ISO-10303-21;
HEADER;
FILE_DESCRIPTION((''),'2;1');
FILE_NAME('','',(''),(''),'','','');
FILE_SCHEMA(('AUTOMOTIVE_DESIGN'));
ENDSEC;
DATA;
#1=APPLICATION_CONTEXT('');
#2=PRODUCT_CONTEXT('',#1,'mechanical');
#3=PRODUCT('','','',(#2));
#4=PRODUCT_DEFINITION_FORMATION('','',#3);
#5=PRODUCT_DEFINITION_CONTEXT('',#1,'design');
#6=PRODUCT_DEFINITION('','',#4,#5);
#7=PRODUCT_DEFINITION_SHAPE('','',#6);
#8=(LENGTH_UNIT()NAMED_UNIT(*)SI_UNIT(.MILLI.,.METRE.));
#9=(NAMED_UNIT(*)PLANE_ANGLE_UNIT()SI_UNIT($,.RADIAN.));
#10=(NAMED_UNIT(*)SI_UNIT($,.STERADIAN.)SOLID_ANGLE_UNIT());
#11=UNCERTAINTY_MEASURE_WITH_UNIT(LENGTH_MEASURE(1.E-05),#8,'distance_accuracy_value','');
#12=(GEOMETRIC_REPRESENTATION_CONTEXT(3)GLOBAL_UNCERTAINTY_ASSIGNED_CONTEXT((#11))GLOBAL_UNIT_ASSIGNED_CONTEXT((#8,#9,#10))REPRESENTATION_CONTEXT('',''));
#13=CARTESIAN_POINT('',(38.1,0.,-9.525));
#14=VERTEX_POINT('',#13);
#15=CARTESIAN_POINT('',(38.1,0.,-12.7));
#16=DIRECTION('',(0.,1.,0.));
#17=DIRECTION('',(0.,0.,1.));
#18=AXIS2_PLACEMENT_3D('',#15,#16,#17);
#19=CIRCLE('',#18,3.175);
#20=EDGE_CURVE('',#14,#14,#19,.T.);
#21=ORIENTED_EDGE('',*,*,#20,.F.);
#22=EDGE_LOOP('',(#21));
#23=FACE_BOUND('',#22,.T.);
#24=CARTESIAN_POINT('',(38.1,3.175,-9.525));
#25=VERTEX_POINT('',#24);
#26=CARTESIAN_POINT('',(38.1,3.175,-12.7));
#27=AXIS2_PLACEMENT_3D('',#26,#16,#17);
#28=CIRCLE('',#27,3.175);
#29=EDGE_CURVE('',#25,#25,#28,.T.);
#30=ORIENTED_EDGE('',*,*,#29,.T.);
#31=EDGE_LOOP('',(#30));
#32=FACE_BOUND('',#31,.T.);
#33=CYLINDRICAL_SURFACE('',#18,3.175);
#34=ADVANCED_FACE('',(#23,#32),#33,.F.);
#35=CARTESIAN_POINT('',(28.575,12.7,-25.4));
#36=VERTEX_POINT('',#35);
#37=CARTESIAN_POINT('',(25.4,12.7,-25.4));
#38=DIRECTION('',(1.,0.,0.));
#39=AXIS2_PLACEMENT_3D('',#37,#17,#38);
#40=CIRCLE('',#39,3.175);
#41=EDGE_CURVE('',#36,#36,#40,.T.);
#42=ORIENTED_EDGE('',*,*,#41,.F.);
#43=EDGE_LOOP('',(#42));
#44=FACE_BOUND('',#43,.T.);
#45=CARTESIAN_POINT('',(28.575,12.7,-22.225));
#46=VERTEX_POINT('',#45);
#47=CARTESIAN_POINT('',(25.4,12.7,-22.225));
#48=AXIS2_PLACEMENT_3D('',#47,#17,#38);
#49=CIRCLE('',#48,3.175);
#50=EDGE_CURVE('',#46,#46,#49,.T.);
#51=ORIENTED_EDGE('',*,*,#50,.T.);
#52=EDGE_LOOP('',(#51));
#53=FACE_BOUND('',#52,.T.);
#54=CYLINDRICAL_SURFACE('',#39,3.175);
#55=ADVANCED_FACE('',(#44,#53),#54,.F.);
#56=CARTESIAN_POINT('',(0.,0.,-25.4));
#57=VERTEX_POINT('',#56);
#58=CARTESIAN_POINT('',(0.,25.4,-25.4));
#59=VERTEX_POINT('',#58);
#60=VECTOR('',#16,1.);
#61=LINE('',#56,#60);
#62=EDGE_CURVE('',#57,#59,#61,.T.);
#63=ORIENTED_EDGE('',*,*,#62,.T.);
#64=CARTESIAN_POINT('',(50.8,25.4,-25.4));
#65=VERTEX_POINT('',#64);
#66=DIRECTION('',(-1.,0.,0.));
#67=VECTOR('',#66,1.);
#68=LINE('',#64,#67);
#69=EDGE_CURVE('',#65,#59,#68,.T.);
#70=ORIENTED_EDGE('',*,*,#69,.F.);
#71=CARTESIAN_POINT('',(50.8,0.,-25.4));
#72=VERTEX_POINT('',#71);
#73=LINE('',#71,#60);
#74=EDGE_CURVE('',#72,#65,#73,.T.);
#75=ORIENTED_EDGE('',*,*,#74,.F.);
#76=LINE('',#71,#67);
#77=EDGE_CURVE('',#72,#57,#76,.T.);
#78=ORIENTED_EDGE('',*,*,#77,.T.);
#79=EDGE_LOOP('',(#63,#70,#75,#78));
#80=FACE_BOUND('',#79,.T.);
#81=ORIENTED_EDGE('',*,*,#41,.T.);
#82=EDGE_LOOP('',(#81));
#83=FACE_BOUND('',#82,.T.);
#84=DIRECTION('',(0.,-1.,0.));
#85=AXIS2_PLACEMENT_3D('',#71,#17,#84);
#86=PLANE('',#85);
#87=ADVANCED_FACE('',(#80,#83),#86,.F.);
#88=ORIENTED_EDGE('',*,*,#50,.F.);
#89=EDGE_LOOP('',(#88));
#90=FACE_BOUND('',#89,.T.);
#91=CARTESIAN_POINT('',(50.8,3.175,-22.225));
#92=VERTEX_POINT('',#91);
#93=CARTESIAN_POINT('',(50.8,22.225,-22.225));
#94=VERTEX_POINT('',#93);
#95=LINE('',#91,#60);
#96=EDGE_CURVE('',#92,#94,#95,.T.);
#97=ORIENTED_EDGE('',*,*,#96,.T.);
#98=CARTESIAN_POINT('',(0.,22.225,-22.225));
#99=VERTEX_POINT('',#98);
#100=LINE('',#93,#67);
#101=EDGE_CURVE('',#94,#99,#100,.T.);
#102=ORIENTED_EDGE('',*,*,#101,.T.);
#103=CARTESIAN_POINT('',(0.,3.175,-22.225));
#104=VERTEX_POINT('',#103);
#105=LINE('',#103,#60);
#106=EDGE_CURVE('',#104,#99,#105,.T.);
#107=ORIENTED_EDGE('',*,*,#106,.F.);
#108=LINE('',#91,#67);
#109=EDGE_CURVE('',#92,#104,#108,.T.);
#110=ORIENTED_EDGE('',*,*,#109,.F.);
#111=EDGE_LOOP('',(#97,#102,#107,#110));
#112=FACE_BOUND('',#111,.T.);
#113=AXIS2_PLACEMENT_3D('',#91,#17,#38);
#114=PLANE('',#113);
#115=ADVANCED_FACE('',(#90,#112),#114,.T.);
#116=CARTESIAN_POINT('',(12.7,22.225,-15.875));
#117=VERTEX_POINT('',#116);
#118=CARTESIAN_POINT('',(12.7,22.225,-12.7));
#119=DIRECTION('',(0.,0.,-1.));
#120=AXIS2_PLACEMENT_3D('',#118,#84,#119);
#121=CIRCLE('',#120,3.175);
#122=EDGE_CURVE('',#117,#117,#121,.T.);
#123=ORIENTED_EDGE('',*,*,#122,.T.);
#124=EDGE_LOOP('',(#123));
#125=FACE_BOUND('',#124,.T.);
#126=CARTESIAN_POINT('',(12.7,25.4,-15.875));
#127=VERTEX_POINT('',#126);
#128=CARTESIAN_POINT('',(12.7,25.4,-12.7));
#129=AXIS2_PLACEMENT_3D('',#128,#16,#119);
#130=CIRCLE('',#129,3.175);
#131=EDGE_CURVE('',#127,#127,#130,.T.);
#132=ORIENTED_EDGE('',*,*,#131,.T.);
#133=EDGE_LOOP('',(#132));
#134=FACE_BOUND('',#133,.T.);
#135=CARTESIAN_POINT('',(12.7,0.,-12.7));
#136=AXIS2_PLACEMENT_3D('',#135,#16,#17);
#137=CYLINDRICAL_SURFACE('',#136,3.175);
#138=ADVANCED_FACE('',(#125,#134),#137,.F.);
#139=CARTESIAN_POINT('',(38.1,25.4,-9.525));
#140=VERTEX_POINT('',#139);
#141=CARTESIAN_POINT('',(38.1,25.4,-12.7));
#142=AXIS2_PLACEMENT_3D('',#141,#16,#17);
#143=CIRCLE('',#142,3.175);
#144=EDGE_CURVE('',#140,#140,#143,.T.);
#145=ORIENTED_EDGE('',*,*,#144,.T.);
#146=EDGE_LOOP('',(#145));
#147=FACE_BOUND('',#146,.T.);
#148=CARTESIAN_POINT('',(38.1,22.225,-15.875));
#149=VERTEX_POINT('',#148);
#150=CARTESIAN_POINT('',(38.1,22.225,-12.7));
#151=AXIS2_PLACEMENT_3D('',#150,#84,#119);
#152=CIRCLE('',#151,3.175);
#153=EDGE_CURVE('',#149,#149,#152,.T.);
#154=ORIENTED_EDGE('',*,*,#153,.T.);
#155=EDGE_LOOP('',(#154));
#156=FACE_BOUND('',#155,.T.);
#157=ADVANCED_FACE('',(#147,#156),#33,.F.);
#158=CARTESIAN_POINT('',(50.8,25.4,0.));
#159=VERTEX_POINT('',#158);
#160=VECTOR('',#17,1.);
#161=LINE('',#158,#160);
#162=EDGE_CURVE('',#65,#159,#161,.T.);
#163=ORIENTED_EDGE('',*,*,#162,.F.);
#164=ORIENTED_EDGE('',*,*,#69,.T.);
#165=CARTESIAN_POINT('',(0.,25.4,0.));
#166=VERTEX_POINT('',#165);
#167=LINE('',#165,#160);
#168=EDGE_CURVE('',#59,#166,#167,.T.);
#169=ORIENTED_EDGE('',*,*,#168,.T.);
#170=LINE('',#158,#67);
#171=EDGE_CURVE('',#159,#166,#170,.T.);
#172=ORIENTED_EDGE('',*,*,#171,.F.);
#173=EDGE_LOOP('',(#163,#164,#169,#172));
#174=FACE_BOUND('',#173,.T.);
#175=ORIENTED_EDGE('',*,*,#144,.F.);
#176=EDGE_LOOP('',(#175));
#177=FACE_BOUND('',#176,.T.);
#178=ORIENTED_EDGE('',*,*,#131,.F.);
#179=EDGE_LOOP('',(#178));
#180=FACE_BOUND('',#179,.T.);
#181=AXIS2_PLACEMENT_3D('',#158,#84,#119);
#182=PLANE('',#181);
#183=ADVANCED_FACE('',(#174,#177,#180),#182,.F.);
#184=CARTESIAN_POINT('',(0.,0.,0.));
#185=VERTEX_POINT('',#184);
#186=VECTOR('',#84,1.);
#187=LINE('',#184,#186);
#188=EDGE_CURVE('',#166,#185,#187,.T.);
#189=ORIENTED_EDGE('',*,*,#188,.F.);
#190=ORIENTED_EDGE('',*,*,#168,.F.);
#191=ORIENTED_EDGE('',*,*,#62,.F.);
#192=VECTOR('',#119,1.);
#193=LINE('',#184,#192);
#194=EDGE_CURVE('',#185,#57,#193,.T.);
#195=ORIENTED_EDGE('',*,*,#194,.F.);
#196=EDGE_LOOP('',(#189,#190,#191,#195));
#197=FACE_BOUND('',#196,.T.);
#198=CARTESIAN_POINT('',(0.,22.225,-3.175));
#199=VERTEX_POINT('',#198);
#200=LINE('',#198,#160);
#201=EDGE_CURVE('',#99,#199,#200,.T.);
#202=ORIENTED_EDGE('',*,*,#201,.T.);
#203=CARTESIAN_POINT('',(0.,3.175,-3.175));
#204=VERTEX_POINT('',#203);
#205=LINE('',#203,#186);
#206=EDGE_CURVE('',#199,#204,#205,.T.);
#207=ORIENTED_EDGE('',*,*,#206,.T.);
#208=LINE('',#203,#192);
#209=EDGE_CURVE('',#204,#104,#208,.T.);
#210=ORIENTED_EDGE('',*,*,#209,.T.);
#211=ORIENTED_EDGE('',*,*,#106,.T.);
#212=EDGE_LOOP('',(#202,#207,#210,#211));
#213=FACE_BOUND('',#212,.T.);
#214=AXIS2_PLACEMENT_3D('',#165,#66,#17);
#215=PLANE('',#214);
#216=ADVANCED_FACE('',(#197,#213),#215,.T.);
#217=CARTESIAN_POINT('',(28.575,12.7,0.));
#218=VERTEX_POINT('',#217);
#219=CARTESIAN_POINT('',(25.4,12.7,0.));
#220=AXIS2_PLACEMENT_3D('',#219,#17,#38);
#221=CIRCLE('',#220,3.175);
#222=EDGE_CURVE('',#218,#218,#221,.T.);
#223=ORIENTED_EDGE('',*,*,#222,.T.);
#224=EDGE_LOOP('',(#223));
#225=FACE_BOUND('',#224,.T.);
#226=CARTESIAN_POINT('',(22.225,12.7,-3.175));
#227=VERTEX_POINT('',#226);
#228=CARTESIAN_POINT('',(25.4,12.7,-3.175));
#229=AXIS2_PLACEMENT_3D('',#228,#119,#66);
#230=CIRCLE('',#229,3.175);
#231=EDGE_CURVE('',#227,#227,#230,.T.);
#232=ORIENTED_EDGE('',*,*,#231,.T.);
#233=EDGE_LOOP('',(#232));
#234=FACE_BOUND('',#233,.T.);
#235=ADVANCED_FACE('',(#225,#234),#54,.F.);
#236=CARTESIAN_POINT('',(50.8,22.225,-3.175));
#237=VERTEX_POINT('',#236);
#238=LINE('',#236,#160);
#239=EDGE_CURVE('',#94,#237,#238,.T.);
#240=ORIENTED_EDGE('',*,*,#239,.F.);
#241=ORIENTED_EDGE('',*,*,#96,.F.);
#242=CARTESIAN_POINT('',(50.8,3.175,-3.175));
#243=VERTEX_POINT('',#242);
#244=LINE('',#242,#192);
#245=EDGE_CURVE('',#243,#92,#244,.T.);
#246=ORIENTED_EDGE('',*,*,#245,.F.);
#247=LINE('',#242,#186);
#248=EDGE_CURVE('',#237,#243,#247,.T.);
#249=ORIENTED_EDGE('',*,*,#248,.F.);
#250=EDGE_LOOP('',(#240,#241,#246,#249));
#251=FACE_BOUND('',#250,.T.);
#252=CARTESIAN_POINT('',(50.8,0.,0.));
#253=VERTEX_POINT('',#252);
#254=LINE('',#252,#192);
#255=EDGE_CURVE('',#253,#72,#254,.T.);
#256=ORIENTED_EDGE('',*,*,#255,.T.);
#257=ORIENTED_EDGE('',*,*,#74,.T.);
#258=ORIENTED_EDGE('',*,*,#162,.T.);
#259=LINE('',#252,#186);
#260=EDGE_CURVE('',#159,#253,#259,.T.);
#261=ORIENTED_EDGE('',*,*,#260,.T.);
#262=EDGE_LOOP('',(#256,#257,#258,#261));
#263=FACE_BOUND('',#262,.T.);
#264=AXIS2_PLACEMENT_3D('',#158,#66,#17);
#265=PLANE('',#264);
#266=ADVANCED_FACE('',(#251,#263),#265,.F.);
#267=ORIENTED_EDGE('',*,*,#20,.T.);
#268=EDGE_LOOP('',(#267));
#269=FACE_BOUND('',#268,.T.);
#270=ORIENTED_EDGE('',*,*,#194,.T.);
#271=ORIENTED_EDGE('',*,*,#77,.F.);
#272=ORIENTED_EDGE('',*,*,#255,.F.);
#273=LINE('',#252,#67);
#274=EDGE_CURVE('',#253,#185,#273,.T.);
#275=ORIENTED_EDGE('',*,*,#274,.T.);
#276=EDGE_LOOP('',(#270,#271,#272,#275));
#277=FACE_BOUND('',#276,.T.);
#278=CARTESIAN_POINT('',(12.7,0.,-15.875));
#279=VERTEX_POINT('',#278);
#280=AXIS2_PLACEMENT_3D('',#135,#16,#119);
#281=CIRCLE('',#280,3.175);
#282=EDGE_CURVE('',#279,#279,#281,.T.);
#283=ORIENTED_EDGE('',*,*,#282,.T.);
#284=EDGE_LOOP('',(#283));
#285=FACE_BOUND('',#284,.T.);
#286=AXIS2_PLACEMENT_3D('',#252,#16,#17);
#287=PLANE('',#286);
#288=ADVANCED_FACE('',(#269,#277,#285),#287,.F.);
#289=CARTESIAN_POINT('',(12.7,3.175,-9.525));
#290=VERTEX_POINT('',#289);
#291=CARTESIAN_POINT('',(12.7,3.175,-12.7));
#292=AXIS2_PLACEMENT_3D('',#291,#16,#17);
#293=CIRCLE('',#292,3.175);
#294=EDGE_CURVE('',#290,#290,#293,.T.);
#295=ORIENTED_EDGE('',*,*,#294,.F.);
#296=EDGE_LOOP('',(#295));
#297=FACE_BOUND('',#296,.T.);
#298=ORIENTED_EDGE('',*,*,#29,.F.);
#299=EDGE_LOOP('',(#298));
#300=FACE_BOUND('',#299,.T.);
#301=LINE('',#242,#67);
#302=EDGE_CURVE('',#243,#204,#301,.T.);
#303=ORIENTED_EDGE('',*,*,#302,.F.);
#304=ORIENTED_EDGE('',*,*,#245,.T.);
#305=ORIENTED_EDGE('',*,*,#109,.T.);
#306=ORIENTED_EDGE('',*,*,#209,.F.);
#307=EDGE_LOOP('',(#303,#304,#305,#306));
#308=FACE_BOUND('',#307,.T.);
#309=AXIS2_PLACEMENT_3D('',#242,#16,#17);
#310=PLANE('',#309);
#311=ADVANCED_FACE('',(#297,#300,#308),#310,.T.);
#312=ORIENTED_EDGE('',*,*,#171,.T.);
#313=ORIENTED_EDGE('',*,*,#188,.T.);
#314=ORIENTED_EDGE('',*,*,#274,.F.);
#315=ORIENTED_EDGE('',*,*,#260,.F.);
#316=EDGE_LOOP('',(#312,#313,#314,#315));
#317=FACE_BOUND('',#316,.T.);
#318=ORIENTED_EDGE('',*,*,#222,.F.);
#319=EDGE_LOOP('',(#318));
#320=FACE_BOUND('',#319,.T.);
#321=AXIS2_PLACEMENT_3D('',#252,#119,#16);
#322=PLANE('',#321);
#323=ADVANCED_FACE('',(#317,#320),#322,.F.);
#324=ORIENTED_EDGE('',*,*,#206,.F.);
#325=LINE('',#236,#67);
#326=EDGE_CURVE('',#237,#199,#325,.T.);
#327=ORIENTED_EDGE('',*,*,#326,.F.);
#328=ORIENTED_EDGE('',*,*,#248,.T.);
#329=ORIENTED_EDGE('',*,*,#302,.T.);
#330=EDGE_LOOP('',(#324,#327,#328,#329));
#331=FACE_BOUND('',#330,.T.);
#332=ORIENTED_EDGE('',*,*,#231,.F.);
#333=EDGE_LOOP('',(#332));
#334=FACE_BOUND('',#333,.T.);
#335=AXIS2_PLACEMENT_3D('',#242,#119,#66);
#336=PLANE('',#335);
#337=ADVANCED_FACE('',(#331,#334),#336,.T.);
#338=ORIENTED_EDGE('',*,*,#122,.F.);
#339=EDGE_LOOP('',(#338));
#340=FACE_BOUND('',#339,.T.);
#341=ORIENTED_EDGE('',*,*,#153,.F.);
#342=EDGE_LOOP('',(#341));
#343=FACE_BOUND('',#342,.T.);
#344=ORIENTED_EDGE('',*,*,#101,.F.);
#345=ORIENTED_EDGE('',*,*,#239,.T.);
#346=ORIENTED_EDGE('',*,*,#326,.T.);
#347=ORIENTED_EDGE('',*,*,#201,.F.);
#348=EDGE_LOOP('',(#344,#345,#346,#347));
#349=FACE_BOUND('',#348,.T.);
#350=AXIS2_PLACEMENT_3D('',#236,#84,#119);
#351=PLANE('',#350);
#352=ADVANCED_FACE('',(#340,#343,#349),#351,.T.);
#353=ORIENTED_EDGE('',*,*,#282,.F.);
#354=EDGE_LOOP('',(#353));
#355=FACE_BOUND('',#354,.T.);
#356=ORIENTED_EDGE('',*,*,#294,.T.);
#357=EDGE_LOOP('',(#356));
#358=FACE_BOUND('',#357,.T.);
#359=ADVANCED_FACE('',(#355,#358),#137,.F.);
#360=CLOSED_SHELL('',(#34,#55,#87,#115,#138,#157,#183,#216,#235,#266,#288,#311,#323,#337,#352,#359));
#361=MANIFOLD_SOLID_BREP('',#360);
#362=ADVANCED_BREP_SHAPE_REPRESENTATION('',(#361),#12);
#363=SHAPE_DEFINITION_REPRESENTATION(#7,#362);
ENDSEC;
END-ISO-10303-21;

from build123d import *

# Parameters (mm, degrees)
SKETCH1_W          = 25.4
SKETCH1_H          = 25.4
SKETCH1_W_2        = 19.05
SKETCH1_H_2        = 19.05
EXTRUDE1_DEPTH     = 50.8
SKETCH2_R          = 3.175
CUT_EXTRUDE1_DEPTH = 26.4
SKETCH3_R          = 3.175
CUT_EXTRUDE2_DEPTH = 26.4


with BuildPart() as part:
    # Sketch1 → Extrude1 (new body)
    with BuildSketch(Plane(origin=(0, 0, 0), x_dir=(0, 0, -1), z_dir=(1, 0, 0))):
        with Locations((12.7, 12.7)):
            Rectangle(SKETCH1_W, SKETCH1_H)
        with Locations((12.7, 12.7)):
            Rectangle(SKETCH1_W_2, SKETCH1_H_2, mode=Mode.SUBTRACT)
    extrude(amount=EXTRUDE1_DEPTH)

    # Sketch2 → Cut-Extrude1 (cut, through all)
    with BuildSketch(Plane.XY):
        with Locations((25.4, 12.7)):
            Circle(SKETCH2_R)
    extrude(amount=-CUT_EXTRUDE1_DEPTH, mode=Mode.SUBTRACT)

    # Sketch3 → Cut-Extrude2 (cut, through all)
    with BuildSketch(Plane(origin=(0, 25.4, 0), x_dir=(-1, 0, 0), z_dir=(0, 1, 0))):
        with Locations((-38.1, -12.7)):
            Circle(SKETCH3_R)
        with Locations((-12.7, -12.7)):
            Circle(SKETCH3_R)
    extrude(amount=-CUT_EXTRUDE2_DEPTH, mode=Mode.SUBTRACT)


solid = part.part
